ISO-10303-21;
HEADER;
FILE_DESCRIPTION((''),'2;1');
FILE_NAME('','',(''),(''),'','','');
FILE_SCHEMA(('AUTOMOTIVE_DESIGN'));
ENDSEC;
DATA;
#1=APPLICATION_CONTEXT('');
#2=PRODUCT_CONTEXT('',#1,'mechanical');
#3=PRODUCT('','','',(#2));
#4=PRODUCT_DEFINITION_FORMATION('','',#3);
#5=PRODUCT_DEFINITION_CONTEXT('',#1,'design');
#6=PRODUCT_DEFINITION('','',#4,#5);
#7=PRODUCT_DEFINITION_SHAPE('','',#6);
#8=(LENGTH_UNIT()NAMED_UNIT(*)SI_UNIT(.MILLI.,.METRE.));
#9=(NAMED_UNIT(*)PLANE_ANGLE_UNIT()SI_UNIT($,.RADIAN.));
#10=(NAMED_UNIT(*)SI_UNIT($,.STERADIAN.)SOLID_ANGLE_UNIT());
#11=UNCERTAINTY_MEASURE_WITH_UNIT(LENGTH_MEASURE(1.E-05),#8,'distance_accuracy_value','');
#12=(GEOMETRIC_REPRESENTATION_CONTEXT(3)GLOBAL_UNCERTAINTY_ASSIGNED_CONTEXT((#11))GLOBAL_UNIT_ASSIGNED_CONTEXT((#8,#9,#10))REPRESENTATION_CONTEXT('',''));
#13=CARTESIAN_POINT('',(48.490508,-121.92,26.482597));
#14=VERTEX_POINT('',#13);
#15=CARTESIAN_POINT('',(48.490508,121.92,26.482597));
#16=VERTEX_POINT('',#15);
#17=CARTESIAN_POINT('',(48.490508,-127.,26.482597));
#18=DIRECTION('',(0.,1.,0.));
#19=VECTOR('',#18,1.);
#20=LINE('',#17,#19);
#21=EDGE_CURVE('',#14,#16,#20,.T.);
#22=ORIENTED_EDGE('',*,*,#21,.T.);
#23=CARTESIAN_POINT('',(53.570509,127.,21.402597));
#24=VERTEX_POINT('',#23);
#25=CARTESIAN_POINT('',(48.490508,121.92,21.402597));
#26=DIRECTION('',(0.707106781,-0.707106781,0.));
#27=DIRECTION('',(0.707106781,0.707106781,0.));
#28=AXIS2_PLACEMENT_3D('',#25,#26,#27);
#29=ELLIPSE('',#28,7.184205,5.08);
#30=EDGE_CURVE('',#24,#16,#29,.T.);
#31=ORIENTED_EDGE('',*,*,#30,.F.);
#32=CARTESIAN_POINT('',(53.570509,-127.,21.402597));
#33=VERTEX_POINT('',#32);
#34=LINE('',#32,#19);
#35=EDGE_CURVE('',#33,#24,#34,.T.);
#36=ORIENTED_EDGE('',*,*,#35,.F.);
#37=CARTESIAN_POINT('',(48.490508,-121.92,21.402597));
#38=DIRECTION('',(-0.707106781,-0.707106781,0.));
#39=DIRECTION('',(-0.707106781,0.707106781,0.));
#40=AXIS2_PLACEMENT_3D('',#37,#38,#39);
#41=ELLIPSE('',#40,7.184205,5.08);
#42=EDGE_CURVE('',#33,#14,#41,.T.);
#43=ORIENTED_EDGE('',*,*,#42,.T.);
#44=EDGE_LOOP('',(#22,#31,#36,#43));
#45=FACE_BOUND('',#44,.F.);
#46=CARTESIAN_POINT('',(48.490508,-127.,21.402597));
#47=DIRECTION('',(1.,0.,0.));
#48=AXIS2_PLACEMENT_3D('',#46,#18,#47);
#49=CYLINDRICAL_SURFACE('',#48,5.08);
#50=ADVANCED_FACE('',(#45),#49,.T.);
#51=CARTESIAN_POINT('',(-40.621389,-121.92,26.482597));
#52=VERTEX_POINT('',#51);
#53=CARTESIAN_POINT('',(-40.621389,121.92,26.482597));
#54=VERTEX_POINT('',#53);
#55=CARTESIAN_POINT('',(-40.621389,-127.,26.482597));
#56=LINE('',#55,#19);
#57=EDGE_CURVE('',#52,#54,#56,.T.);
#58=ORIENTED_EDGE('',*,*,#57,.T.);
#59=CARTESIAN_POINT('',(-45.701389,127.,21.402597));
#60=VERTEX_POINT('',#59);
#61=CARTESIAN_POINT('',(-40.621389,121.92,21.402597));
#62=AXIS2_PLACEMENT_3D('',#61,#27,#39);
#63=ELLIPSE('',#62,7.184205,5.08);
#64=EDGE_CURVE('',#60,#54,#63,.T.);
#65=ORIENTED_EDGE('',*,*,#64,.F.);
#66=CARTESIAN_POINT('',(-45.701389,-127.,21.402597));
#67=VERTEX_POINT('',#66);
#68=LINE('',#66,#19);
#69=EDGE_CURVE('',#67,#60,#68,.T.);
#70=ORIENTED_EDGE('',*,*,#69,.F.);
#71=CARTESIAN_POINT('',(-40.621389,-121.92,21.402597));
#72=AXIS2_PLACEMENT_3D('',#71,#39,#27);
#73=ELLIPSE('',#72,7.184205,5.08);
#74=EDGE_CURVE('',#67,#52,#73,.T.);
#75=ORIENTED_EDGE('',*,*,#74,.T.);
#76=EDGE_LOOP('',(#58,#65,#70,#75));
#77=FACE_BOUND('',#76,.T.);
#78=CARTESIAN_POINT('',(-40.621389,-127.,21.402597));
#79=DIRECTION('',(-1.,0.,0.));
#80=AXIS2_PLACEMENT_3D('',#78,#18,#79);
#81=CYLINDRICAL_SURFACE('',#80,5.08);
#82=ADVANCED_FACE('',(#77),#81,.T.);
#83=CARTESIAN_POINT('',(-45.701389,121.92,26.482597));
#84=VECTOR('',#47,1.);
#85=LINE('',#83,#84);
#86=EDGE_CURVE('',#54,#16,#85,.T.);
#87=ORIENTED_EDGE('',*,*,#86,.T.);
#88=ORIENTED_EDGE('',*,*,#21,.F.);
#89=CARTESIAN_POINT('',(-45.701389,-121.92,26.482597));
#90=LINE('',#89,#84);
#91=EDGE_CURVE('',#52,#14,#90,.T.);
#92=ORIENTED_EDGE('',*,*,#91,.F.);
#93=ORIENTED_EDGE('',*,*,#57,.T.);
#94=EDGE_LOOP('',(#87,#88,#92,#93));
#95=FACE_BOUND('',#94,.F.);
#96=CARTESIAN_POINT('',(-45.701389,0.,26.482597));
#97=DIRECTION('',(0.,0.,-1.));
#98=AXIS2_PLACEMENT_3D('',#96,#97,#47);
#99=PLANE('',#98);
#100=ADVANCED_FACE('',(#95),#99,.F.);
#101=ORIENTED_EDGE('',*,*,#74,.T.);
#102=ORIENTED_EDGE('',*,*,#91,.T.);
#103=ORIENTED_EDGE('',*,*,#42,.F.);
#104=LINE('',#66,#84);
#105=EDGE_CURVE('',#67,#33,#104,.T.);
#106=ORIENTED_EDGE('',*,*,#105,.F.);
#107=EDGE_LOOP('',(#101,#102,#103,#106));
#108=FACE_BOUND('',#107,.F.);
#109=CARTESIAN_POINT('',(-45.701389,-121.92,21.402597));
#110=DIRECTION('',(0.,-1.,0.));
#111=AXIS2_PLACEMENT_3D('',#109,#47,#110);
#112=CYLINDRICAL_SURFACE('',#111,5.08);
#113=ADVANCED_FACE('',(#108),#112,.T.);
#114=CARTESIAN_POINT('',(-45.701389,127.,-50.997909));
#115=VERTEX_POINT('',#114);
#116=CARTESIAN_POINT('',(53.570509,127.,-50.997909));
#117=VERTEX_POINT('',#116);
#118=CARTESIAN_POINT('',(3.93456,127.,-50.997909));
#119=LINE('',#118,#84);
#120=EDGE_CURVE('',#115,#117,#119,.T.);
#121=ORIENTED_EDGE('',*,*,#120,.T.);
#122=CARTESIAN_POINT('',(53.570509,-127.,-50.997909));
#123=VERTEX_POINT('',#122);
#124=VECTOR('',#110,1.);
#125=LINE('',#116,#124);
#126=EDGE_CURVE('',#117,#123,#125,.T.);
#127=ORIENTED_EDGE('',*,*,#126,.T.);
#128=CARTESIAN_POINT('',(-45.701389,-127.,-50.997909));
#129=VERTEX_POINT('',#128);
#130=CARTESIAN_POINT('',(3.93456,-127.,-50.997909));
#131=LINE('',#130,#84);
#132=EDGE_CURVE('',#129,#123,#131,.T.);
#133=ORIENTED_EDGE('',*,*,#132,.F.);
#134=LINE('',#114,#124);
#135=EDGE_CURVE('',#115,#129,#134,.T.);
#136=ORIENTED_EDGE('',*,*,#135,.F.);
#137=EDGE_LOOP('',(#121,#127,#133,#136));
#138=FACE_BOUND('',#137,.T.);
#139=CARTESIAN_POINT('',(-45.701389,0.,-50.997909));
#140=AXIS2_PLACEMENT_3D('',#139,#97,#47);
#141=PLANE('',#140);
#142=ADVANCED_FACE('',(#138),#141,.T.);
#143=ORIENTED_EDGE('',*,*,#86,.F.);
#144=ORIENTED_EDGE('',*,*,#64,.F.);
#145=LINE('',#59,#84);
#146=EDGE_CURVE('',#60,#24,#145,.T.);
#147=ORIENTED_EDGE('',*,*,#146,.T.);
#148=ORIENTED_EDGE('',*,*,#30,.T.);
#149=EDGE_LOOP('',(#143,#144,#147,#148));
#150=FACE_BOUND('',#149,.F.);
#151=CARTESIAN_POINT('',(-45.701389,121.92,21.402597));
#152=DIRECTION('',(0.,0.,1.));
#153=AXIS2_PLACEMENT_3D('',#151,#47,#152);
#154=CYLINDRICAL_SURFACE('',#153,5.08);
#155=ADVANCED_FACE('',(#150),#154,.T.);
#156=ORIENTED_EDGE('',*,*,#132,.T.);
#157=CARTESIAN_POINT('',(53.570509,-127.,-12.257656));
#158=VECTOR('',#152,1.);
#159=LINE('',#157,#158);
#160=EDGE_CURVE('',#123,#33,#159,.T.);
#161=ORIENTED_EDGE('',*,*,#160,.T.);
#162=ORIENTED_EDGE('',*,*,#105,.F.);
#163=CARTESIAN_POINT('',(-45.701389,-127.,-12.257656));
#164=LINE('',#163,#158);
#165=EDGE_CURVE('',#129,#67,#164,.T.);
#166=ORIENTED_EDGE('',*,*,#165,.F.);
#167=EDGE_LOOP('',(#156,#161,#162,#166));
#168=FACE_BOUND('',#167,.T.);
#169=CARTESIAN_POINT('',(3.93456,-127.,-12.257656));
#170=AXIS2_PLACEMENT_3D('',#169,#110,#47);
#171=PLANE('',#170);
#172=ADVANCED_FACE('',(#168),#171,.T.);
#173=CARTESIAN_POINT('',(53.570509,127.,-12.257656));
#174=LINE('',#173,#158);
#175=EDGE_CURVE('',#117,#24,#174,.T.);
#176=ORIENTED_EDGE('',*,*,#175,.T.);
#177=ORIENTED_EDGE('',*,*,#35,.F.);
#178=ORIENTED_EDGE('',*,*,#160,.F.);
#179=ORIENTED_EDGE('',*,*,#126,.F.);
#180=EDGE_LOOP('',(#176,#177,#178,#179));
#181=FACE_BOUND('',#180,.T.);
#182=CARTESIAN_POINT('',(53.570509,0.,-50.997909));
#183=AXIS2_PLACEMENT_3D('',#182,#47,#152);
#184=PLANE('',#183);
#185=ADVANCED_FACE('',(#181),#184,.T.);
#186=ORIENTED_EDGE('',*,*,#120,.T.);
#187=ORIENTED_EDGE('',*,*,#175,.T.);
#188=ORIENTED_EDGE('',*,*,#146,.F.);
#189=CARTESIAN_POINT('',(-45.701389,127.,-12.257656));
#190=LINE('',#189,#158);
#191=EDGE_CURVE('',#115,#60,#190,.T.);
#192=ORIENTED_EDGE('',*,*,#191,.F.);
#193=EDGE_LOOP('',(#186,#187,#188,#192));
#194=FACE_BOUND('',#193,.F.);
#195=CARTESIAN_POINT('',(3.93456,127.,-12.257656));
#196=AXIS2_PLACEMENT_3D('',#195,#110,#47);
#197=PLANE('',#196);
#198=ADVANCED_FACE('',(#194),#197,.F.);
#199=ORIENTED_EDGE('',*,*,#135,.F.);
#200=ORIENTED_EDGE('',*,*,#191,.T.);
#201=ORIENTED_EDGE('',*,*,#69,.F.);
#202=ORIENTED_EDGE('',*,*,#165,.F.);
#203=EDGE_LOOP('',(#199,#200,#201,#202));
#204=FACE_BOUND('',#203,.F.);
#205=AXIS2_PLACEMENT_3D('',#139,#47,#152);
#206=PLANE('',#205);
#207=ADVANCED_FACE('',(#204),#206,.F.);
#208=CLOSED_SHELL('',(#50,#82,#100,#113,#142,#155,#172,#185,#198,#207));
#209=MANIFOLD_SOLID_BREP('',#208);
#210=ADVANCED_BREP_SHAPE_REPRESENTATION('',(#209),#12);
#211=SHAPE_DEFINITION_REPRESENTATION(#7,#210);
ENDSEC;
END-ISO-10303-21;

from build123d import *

# Parameters (mm, degrees)
F0_W     = 99.271897
F0_H     = 77.480506
F1_DEPTH = 127
F2_R     = 5.08


with BuildPart() as f1:
    # F0 (on Front) → F1 (new body, symmetric)
    with BuildSketch(Plane.XZ):
        with Locations((3.93456, -12.257656)):
            Rectangle(F0_W, F0_H)
    extrude(amount=F1_DEPTH, both=True)

    # F2
    f2_edges = [f1.edges().sort_by_distance(p)[0] for p in [
        (53.570509, 0, 26.482597),
        (3.93456, -127, 26.482597),
        (-45.701388, 0, 26.482597),
        (3.93456, 127, 26.482597),
    ]]
    fillet(f2_edges, radius=F2_R)


solid = f1.part
